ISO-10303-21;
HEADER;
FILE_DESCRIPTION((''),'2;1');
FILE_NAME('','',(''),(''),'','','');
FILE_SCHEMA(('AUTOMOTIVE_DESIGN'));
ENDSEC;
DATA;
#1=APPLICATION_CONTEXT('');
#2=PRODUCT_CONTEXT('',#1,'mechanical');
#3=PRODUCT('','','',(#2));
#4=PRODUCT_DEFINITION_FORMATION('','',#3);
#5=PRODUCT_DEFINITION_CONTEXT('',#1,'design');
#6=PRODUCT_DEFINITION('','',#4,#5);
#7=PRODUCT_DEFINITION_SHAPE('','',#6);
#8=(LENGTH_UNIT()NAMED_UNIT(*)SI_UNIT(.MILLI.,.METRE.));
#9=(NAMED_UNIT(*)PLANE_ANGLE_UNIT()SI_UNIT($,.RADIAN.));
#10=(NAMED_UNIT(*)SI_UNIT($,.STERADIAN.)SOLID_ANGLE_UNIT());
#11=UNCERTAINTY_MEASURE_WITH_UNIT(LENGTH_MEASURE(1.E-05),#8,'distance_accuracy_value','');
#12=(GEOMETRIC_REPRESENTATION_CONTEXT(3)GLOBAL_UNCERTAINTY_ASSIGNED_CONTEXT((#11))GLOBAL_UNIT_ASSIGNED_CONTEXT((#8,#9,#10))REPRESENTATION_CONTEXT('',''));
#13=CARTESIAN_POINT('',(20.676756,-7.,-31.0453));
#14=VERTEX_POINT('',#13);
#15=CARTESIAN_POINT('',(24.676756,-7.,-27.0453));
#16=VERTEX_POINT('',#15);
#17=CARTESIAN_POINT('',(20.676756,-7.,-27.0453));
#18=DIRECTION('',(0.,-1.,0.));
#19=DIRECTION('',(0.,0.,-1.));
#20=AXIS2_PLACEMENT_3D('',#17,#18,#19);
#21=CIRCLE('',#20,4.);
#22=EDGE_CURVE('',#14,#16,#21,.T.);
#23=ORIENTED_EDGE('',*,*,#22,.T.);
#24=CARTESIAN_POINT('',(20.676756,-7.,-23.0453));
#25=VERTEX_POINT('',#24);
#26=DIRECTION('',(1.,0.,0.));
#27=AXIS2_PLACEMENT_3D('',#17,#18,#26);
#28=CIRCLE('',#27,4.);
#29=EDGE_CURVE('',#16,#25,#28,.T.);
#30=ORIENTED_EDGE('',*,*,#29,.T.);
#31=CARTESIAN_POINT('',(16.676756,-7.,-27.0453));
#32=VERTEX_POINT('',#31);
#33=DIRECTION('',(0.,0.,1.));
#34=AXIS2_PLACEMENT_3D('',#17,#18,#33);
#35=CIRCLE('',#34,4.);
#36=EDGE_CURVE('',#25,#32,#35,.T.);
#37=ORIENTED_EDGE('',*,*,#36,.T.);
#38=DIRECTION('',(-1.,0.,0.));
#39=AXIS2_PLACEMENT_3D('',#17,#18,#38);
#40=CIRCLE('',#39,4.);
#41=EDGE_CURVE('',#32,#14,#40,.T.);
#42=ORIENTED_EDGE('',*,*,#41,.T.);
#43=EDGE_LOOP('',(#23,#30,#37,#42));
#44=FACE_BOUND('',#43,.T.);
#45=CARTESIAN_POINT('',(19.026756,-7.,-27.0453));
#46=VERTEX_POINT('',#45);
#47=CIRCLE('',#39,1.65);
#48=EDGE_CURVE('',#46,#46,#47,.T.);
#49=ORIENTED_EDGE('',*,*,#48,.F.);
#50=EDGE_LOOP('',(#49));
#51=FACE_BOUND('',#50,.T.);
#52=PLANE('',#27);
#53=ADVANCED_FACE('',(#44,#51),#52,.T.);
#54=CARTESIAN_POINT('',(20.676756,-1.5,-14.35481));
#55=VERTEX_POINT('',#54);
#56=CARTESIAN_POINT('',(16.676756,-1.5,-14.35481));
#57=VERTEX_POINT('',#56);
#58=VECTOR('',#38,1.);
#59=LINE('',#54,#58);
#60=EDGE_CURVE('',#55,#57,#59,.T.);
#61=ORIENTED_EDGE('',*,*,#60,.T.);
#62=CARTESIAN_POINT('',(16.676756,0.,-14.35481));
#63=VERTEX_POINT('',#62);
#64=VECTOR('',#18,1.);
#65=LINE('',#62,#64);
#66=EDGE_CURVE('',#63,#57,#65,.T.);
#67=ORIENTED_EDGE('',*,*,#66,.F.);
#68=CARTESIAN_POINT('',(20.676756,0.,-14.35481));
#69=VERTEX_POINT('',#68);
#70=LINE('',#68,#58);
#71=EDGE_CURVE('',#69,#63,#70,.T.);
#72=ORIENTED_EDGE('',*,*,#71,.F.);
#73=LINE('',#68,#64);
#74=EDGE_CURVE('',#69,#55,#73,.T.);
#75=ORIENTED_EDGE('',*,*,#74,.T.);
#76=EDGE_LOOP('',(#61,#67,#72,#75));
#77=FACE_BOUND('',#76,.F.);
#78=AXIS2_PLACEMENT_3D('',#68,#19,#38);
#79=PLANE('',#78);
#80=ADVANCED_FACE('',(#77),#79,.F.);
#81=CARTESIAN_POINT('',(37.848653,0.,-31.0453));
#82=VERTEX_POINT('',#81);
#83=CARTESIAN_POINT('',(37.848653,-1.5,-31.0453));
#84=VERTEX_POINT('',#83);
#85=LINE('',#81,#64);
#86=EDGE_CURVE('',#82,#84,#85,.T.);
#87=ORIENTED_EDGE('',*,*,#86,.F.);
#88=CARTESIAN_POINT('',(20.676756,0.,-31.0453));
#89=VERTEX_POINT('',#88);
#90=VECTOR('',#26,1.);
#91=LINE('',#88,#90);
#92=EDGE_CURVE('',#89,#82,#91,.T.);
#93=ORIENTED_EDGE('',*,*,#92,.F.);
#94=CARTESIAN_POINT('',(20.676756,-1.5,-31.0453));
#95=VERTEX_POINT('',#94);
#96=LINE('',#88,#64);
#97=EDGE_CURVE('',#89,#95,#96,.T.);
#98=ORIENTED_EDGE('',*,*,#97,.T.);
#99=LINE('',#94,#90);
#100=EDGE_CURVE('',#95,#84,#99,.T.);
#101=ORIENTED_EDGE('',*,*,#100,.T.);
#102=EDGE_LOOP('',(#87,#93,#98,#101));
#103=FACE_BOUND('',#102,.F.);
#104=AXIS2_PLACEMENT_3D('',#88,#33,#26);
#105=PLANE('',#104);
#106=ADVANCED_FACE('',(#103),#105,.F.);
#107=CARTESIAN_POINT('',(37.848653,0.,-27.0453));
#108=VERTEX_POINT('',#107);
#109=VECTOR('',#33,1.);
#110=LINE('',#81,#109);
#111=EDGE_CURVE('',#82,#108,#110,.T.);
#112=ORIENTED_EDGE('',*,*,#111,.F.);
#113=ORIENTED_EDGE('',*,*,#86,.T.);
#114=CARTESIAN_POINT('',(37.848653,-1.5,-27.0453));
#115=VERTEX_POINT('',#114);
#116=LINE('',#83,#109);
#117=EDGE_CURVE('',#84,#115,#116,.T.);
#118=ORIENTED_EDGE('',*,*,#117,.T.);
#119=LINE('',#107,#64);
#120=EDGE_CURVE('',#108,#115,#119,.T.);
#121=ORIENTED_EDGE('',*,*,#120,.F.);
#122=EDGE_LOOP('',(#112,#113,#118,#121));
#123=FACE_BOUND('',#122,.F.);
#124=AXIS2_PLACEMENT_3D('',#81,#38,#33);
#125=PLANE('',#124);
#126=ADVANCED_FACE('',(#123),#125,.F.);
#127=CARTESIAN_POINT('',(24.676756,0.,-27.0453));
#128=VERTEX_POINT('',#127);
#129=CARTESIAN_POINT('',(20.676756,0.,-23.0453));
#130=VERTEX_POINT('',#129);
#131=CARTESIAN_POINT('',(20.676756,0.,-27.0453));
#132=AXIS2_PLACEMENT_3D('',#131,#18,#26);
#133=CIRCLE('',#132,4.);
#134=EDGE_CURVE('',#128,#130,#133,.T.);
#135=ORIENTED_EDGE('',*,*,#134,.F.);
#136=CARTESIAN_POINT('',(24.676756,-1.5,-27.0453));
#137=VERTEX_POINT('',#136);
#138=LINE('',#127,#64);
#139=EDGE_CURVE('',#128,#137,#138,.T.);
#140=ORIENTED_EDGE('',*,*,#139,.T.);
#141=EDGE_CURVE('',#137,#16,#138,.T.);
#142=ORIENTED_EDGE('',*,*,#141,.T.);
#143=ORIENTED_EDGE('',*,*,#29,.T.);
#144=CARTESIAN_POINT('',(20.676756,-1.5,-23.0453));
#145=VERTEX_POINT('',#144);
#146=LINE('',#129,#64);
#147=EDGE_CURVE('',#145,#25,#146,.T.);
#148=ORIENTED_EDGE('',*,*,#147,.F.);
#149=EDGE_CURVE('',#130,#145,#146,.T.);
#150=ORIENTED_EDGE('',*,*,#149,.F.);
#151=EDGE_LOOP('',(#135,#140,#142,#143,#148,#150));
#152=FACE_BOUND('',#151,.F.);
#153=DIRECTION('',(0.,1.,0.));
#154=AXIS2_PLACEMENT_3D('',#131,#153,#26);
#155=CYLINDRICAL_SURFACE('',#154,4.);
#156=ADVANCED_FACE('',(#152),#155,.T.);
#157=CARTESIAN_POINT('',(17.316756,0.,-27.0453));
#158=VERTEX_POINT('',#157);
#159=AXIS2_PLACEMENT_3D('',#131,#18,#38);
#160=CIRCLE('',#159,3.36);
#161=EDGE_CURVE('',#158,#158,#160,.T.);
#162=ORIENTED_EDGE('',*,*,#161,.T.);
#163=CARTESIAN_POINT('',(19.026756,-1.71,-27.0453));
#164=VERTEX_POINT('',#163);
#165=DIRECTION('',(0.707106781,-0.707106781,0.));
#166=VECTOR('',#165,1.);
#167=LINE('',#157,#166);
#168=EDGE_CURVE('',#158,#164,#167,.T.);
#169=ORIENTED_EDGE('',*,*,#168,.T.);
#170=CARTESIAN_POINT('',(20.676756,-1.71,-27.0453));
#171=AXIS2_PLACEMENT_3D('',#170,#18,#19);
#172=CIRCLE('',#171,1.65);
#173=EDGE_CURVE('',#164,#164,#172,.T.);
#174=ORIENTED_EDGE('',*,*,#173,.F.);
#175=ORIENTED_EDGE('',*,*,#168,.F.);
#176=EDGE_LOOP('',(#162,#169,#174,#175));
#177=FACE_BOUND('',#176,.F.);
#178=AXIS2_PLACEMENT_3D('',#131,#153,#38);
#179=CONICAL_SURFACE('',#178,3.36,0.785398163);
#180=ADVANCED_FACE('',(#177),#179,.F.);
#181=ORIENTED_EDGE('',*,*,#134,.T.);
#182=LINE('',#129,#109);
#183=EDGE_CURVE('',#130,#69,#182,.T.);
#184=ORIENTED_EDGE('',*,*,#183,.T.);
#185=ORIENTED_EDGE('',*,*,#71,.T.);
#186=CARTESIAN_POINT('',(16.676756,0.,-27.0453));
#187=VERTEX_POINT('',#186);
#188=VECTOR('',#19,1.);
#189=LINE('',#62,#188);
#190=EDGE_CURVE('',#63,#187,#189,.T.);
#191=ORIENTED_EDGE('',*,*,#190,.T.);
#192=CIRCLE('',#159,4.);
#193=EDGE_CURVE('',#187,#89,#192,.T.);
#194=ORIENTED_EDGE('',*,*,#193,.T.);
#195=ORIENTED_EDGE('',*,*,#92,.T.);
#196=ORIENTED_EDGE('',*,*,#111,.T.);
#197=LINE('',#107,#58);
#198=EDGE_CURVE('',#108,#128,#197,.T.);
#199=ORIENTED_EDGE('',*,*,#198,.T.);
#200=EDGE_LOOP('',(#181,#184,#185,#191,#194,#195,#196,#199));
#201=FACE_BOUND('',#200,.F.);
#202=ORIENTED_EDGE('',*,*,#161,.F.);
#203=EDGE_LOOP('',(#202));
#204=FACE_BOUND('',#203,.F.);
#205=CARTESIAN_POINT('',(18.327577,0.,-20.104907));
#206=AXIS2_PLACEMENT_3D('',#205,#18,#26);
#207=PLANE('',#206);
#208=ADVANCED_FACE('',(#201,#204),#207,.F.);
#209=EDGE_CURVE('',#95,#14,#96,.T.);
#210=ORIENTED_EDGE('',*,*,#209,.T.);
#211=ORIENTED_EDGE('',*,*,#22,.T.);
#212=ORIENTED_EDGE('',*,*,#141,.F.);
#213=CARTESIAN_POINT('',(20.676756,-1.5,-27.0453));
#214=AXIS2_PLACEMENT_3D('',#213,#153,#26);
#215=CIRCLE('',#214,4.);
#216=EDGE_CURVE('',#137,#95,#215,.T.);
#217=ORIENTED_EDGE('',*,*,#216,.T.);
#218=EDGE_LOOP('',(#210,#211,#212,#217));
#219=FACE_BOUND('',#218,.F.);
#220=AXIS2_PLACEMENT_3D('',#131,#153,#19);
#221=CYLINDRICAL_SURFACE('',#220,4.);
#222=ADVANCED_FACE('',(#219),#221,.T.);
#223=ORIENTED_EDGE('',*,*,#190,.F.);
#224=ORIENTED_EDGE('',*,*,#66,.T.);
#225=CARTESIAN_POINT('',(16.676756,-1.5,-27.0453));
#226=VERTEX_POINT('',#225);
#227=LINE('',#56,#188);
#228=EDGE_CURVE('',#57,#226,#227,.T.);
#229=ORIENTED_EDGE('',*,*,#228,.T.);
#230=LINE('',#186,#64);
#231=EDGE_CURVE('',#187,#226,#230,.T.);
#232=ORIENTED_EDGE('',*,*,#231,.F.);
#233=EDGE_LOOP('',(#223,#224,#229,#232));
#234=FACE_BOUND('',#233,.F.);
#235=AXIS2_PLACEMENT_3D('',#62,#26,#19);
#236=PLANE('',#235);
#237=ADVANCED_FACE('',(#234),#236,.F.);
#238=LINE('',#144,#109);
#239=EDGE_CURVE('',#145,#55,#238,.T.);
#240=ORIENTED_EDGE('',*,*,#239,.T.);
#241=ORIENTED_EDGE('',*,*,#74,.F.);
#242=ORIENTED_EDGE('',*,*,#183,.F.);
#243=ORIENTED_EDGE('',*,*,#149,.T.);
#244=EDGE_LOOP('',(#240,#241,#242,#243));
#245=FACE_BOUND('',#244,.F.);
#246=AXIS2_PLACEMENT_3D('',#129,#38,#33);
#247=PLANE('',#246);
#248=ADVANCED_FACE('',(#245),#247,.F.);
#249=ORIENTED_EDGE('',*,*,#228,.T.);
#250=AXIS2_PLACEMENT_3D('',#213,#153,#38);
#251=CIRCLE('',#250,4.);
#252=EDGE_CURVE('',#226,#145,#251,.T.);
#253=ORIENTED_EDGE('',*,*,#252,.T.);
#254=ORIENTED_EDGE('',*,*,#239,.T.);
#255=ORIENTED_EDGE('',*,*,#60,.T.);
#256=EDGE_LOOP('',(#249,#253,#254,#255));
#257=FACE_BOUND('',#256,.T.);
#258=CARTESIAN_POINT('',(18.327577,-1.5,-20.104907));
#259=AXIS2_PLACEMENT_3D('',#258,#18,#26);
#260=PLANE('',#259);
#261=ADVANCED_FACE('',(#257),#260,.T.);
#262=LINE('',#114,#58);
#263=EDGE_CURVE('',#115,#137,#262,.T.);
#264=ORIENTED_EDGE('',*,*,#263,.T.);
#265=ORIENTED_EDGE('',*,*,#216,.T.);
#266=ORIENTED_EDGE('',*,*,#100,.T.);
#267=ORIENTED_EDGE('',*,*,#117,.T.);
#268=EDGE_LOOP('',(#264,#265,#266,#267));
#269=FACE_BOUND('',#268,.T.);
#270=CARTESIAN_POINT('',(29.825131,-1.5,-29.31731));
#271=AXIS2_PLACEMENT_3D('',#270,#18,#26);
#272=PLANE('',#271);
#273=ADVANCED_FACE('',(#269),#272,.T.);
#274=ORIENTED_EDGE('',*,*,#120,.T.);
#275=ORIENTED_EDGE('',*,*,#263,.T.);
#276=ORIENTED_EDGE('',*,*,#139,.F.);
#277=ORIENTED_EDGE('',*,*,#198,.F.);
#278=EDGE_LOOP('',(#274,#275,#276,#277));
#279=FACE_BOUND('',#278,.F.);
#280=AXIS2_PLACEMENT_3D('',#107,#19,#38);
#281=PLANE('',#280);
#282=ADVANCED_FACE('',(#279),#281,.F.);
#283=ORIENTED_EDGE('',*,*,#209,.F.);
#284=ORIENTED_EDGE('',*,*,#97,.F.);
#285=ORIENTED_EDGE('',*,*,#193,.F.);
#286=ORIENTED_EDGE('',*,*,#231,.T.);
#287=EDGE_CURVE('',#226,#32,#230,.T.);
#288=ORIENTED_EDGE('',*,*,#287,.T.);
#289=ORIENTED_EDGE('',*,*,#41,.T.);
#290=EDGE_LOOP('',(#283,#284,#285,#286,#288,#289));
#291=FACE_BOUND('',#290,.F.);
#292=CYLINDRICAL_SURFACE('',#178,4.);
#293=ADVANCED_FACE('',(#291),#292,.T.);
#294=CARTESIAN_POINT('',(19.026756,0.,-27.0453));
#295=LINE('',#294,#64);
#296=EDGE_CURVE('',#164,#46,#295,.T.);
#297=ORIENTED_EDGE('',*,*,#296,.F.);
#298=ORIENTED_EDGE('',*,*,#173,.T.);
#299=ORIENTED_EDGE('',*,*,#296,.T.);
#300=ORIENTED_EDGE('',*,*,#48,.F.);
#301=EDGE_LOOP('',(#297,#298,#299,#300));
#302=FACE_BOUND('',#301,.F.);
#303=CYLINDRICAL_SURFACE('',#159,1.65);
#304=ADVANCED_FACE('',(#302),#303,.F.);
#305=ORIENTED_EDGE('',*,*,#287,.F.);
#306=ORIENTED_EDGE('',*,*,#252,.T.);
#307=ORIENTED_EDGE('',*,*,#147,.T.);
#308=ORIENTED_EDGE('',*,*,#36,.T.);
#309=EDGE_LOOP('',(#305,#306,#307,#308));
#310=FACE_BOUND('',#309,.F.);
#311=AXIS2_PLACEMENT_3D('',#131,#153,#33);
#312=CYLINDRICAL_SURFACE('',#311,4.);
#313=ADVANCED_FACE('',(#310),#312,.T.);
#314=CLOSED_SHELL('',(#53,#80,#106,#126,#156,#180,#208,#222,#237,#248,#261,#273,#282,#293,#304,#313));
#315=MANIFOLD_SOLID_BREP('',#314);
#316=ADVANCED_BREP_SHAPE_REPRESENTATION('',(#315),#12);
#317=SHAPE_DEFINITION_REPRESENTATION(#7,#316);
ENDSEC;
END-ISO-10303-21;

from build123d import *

# Parameters (mm, degrees)
F1_DEPTH       = 7
F3_D           = 3.3
F3_CSINK_D     = 6.72
F3_CSINK_ANGLE = 90
F4_DEPTH       = 1.5


with BuildPart() as f1:
    # F0 (on Front) → F1 (new body)
    with BuildSketch(Plane.XZ):
        with BuildLine():
            ThreePointArc((20.6767564522, -31.0453001757), (23.505183577, -29.8737273005), (24.6767564522, -27.0453001757))
            ThreePointArc((24.6767564522, -27.0453001757), (23.505183577, -24.216873051), (20.6767564522, -23.0453001757))
            ThreePointArc((20.6767564522, -23.0453001757), (17.8483293275, -24.216873051), (16.6767564522, -27.0453001757))
            ThreePointArc((16.6767564522, -27.0453001757), (17.8483293275, -29.8737273005), (20.6767564522, -31.0453001757))
        make_face()
    extrude(amount=F1_DEPTH)

    # F3 (through all)
    with Locations(Plane(origin=(0, 0, 0), x_dir=(1, 0, 0), z_dir=(0, 1, 0))):
        with Locations((20.6767564522, 27.0453001757)):
            CounterSinkHole(F3_D / 2, F3_CSINK_D / 2, counter_sink_angle=F3_CSINK_ANGLE)

    # F0 (on Front) → F4 (join)
    with BuildSketch(Plane.XZ):
        with BuildLine():
            ThreePointArc((16.6767564522, -27.0453001757), (17.8483293275, -24.216873051), (20.6767564522, -23.0453001757))
            Line((20.6767564522, -23.0453001757), (20.6767564522, -14.3548102902))
            Line((20.6767564522, -14.3548102902), (16.6767564522, -14.3548102902))
            Line((16.6767564522, -14.3548102902), (16.6767564522, -27.0453001757))
        make_face()
        with BuildLine():
            Line((37.8486532164, -27.0453001757), (24.6767564522, -27.0453001757))
            ThreePointArc((24.6767564522, -27.0453001757), (23.505183577, -29.8737273005), (20.6767564522, -31.0453001757))
            Line((20.6767564522, -31.0453001757), (37.8486532164, -31.0453001757))
            Line((37.8486532164, -31.0453001757), (37.8486532164, -27.0453001757))
        make_face()
    extrude(amount=F4_DEPTH)


solid = f1.part
